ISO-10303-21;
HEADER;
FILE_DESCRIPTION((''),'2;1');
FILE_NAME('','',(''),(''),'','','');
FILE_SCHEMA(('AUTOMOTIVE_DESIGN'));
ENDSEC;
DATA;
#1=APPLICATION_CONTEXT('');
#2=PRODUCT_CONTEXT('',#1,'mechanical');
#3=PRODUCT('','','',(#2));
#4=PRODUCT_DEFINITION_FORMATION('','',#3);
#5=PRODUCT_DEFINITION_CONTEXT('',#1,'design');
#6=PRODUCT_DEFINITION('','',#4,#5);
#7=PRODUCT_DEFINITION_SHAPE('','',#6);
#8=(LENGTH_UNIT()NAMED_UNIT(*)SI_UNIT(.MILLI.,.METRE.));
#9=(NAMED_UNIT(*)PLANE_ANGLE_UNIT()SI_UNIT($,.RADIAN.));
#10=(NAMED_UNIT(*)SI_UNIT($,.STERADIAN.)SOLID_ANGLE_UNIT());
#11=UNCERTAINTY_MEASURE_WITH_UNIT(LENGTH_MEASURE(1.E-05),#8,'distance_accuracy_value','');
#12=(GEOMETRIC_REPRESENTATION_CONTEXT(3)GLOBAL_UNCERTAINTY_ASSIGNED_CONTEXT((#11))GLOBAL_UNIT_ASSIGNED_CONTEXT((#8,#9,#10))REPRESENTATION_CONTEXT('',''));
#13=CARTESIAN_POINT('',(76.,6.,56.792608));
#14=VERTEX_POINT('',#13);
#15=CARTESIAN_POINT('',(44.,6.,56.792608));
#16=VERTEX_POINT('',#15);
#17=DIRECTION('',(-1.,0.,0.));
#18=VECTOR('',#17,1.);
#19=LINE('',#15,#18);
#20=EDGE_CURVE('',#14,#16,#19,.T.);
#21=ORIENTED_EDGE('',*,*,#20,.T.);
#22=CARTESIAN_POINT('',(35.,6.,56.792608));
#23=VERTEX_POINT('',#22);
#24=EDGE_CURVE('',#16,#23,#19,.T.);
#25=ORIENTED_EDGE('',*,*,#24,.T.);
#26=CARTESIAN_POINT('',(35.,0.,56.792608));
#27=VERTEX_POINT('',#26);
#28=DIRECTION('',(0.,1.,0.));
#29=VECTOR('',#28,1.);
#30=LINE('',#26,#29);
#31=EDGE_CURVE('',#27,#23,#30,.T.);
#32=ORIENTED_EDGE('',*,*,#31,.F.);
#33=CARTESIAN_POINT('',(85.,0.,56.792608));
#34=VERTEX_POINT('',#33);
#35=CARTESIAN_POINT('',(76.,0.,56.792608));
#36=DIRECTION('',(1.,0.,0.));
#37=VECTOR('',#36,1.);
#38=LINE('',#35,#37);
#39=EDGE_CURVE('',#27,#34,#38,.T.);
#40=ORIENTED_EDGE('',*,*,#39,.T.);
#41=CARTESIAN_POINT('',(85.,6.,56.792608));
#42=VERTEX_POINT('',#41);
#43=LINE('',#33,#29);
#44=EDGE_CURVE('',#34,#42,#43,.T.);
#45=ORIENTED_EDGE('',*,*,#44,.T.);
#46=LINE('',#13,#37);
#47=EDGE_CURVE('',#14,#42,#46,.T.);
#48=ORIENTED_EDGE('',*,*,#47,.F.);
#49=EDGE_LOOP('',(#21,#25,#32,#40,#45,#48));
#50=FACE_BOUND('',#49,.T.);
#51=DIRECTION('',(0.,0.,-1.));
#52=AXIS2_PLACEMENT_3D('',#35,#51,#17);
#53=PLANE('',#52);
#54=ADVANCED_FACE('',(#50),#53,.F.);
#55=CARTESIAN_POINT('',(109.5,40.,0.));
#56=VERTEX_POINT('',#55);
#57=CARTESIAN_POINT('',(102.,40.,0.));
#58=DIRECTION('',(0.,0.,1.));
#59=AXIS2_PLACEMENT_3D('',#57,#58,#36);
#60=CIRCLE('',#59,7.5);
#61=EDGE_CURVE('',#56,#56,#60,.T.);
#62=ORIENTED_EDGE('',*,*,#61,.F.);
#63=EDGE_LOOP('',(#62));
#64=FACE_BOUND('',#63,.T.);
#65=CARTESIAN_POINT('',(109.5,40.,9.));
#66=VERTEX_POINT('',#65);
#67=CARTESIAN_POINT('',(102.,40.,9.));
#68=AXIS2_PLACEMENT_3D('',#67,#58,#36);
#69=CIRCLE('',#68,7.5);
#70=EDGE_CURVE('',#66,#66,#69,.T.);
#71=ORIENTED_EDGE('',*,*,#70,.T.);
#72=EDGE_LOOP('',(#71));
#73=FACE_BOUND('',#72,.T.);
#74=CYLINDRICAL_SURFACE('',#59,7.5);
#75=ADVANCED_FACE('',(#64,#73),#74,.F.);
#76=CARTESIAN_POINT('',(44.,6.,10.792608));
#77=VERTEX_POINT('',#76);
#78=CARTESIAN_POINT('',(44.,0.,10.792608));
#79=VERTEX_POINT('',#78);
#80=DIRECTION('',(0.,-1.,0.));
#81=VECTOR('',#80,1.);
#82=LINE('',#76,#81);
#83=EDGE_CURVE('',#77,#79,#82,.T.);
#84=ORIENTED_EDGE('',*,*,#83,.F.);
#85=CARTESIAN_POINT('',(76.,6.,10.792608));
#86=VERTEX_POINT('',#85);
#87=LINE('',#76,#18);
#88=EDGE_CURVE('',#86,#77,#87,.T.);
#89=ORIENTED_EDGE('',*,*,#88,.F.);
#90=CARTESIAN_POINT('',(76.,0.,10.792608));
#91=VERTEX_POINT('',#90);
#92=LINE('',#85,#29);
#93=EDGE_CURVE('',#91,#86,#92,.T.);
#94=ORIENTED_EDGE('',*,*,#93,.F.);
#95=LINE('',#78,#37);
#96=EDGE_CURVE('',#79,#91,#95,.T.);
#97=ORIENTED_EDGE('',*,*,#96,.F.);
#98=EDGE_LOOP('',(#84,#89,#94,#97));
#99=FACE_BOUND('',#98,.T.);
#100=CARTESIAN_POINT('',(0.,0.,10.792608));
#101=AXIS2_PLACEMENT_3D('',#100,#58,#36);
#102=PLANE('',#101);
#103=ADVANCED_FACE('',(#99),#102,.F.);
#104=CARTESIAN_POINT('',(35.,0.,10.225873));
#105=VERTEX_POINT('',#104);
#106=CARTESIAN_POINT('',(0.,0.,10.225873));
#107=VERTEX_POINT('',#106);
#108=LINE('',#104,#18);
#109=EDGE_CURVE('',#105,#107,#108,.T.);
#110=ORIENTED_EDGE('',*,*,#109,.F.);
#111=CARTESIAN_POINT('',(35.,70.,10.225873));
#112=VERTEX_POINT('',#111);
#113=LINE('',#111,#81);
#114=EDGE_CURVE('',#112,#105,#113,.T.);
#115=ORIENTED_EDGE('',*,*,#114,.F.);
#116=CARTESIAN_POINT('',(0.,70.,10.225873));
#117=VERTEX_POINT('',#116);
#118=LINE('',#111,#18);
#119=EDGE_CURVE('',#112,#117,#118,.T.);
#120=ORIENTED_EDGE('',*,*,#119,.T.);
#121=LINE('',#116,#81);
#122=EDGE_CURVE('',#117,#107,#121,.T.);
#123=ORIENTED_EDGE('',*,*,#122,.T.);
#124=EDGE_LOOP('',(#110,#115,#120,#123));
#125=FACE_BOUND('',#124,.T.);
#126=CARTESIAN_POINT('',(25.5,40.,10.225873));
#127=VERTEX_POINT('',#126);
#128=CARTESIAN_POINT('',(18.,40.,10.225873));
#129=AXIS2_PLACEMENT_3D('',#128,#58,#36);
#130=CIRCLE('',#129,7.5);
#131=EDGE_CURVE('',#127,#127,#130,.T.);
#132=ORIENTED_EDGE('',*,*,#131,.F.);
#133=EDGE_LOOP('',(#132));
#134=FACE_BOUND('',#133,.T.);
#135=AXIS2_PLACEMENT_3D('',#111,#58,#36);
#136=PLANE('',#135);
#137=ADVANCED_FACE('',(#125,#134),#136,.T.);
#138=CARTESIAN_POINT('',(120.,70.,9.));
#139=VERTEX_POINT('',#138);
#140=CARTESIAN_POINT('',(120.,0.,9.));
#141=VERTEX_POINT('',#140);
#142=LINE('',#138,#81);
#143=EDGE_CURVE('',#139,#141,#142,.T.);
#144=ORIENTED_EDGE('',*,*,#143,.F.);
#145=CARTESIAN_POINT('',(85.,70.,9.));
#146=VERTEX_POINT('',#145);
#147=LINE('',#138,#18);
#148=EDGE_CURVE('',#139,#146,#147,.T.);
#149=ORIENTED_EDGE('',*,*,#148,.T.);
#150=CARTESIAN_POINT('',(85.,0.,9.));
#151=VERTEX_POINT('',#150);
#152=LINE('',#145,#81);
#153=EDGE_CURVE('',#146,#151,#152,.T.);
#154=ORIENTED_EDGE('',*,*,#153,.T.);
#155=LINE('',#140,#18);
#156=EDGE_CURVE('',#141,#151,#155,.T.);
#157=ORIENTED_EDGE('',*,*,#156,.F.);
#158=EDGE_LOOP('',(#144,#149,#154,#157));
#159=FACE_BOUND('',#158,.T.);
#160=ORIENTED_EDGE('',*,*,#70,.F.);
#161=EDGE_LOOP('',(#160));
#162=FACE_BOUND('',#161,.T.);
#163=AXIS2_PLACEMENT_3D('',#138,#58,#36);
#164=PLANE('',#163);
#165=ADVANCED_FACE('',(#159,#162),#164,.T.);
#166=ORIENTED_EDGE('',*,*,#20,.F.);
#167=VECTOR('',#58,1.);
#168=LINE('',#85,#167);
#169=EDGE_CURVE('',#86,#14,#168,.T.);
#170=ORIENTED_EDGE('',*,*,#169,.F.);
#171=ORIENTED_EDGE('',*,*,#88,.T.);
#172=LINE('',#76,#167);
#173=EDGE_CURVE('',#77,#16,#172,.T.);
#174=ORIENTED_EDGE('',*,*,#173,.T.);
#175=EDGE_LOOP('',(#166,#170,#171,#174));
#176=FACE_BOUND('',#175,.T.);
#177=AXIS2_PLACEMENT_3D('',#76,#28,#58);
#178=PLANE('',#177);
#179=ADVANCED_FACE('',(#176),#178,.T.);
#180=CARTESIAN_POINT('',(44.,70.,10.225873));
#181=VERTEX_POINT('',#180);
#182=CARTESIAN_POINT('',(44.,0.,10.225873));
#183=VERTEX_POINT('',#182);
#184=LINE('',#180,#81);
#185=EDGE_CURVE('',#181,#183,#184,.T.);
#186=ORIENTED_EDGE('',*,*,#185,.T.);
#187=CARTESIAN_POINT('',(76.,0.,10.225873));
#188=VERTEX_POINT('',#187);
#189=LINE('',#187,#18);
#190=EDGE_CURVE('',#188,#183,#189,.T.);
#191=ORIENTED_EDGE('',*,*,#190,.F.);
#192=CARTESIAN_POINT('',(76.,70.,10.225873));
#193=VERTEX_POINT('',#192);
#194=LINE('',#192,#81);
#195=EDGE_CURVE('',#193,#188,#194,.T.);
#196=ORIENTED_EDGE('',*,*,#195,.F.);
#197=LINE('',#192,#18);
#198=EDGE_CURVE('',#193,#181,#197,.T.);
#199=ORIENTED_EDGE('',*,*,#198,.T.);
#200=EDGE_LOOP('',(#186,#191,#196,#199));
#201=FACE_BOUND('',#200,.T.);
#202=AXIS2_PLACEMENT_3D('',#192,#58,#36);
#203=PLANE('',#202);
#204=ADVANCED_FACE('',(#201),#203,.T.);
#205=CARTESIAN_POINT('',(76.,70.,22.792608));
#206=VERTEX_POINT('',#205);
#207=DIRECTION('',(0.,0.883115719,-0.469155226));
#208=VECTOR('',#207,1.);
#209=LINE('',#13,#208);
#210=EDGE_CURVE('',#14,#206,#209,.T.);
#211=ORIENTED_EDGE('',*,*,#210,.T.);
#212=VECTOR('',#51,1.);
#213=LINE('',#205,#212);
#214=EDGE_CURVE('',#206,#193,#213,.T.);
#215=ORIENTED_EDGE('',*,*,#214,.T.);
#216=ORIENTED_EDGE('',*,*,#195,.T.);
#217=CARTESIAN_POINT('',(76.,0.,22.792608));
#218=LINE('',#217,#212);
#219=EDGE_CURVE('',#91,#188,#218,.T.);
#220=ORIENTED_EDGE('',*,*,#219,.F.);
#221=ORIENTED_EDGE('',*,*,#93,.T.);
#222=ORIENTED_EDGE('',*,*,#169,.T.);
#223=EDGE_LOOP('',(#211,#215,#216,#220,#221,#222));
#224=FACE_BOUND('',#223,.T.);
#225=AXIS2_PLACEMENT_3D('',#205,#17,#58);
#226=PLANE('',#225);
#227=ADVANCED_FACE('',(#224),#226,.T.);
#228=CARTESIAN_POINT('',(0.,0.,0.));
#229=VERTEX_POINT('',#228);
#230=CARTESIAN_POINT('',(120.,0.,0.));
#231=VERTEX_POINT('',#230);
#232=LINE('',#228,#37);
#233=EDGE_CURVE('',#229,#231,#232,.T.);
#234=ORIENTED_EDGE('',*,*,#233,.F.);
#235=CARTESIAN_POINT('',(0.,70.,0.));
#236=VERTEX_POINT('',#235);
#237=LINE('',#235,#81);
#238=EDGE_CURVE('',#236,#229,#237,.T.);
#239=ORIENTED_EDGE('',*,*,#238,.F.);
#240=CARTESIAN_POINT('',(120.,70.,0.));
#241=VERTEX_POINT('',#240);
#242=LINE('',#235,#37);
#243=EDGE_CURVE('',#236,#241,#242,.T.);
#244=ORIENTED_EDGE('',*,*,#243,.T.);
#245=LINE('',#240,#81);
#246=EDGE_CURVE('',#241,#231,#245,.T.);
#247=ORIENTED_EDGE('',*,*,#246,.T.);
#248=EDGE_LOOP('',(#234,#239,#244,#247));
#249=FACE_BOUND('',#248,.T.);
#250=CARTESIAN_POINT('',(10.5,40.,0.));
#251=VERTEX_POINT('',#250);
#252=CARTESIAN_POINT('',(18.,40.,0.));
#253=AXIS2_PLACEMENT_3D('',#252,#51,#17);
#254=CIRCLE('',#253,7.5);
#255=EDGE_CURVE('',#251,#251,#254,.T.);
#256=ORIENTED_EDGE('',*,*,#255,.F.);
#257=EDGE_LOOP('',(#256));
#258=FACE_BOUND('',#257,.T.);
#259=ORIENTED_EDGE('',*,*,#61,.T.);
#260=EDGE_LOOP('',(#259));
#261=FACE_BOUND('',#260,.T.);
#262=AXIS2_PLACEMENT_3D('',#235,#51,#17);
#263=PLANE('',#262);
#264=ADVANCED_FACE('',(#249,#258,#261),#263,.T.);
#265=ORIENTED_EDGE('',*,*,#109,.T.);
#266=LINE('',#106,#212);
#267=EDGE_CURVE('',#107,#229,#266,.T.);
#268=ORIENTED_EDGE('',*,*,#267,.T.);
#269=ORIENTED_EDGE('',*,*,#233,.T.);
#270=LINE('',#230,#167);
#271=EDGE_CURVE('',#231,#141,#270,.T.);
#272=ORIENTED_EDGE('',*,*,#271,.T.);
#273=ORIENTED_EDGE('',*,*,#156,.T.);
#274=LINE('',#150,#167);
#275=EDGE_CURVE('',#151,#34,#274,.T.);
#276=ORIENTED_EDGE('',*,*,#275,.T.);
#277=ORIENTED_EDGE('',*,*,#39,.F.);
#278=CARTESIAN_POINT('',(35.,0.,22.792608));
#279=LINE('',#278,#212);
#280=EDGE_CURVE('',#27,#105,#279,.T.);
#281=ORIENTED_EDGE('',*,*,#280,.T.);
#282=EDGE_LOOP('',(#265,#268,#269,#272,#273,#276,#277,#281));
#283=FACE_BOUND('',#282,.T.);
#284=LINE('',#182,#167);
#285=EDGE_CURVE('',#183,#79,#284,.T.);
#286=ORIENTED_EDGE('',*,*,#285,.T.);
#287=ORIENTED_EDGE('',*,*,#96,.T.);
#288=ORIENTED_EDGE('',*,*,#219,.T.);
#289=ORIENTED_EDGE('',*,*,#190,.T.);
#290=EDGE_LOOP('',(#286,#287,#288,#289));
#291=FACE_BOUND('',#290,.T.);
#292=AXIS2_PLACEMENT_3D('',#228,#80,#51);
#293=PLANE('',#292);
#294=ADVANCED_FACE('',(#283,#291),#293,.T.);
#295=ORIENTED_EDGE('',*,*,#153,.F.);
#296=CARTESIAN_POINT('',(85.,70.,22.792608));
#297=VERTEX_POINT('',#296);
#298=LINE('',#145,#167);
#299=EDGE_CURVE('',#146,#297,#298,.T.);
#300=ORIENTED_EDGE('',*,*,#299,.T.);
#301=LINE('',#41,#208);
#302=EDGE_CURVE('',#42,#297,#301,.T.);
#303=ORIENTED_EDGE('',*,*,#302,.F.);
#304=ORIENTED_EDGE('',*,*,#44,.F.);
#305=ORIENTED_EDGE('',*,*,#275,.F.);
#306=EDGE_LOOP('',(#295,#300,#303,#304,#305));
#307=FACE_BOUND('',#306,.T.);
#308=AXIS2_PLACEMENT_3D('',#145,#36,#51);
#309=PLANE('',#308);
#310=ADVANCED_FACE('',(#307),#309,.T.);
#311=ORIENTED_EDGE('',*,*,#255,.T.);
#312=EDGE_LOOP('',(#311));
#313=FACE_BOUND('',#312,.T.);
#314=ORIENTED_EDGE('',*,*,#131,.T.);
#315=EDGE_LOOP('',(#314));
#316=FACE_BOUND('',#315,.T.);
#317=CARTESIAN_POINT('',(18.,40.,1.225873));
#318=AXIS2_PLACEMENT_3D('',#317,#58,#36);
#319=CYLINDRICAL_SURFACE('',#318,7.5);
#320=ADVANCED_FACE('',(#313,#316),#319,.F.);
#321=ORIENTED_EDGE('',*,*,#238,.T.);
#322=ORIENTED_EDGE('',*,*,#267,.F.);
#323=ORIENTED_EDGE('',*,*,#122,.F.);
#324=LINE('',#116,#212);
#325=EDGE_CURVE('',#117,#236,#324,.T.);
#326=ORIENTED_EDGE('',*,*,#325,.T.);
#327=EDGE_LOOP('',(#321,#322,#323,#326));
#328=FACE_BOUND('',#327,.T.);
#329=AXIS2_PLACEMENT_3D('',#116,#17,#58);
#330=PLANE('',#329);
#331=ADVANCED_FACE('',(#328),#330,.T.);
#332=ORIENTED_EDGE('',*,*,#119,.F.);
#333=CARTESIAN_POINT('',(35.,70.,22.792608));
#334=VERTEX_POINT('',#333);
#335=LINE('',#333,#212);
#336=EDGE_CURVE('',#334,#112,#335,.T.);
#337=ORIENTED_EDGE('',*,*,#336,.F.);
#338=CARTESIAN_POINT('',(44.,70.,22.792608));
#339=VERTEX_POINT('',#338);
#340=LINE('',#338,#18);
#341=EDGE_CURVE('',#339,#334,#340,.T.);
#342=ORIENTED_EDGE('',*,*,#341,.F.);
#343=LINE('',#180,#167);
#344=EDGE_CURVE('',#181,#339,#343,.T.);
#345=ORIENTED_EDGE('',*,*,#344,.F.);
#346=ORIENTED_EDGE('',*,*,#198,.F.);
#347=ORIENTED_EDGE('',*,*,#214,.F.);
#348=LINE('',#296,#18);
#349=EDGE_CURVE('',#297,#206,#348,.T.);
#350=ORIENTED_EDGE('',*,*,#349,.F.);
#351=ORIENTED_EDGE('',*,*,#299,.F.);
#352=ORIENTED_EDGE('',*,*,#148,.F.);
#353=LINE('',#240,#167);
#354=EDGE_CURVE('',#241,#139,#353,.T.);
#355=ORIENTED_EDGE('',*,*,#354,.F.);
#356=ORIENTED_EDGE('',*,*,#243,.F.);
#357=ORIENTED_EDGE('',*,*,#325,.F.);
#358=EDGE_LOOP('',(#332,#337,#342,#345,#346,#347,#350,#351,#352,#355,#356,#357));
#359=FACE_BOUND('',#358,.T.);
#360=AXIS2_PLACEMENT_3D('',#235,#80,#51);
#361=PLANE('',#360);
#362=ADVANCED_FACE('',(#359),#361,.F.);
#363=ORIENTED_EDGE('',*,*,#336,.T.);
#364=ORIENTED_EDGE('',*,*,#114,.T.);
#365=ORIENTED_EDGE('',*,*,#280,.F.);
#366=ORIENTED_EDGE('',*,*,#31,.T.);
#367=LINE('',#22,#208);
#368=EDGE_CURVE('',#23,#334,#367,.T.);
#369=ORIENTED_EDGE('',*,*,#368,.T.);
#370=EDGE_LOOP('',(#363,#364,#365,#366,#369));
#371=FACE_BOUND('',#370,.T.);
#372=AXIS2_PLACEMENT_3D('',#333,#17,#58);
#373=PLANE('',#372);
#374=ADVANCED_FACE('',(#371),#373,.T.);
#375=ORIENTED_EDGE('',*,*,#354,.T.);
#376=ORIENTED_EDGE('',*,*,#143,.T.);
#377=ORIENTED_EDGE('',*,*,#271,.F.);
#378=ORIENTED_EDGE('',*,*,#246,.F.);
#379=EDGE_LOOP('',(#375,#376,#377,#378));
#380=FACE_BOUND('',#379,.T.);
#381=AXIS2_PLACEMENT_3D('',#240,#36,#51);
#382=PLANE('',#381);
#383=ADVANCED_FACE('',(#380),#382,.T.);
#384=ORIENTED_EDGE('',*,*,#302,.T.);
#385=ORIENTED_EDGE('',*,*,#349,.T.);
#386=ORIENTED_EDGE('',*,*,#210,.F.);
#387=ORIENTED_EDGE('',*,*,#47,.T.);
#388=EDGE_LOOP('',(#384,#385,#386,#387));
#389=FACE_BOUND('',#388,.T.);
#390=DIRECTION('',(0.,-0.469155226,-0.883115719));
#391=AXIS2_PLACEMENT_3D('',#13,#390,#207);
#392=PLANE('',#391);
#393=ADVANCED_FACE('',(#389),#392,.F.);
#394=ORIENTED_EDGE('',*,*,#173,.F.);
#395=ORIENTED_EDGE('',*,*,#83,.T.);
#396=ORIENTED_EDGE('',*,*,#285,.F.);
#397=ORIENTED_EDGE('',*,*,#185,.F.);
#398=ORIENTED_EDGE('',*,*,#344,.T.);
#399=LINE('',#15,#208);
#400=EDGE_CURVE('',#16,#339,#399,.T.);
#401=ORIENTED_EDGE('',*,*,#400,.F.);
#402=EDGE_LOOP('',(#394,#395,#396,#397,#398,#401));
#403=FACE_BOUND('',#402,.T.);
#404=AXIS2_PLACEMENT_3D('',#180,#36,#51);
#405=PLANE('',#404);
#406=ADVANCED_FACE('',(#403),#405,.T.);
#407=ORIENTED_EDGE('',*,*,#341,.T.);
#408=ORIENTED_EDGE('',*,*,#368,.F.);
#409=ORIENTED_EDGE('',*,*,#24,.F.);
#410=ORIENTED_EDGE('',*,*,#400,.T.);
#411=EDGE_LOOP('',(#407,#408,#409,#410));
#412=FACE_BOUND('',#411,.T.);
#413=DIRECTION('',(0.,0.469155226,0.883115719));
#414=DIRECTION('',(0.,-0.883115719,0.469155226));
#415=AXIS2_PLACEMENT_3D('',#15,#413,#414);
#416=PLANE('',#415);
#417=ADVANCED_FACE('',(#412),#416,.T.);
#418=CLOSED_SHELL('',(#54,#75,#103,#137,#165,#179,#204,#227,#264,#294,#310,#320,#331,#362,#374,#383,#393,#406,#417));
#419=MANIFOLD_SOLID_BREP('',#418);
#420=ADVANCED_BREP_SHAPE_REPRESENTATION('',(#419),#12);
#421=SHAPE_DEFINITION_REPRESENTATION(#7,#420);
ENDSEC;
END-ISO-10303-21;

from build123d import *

# Parameters (mm, degrees)
BOSS_EXTRUDE1_DEPTH = 70
SKETCH2_R           = 7.5
CUT_EXTRUDE1_DEPTH  = 9
SKETCH3_R           = 7.5
CUT_EXTRUDE2_DEPTH  = 9
BOSS_EXTRUDE7_DEPTH = 9
BOSS_EXTRUDE8_DEPTH = 9
SKETCH8_W           = 32
SKETCH8_H           = 6
BOSS_EXTRUDE9_DEPTH = 46
SKETCH10_R          = 7.5
CUT_EXTRUDE3_DEPTH  = 46


with BuildPart() as part:
    # Sketch1 → Boss-Extrude1 (new body)
    with BuildSketch(Plane(origin=(0, 0, 0), x_dir=(1, 0, 0), z_dir=(0, 1, 0))):
        Polygon((0, 0), (120, 0), (120, -9), (85, -9), (85, -22.792607803), (76, -22.792607803), (76, -10.22587269), (44, -10.22587269), (44, -22.792607803), (35, -22.792607803), (35, -10.22587269), (0, -10.22587269), align=None)
    extrude(amount=BOSS_EXTRUDE1_DEPTH)

    # Sketch2 → Cut-Extrude1 (cut)
    with BuildSketch(Plane.XY.offset(9)):
        with Locations((102, 40)):
            Circle(SKETCH2_R)
    extrude(amount=-CUT_EXTRUDE1_DEPTH, mode=Mode.SUBTRACT)

    # Sketch3 → Cut-Extrude2 (cut)
    with BuildSketch(Plane.XY.offset(10.22587269)):
        with Locations((18, 40)):
            Circle(SKETCH3_R)
    extrude(amount=-CUT_EXTRUDE2_DEPTH, mode=Mode.SUBTRACT)

    # Sketch4 → Boss-Extrude7 (add)
    with BuildSketch(Plane(origin=(85, 0, 0), x_dir=(0, 0, -1), z_dir=(1, 0, 0))):
        Polygon((-56.792607803, 0), (-22.792607803, 0), (-22.792607803, 70), (-56.792607803, 6), align=None)
    extrude(amount=-BOSS_EXTRUDE7_DEPTH)

    # Sketch7 → Boss-Extrude8 (add)
    with BuildSketch(Plane.ZY.offset(-35)):
        Polygon((22.792607803, 0), (56.792607803, 0), (56.792607803, 6), (22.792607803, 70), align=None)
    extrude(amount=-BOSS_EXTRUDE8_DEPTH)

    # Sketch8 → Boss-Extrude9 (add)
    with BuildSketch(Plane.XY.offset(56.792607803)):
        with Locations((60, 3)):
            Rectangle(SKETCH8_W, SKETCH8_H)
    extrude(amount=-BOSS_EXTRUDE9_DEPTH)

    # Sketch10 → Cut-Extrude3 (cut)
    with BuildSketch(Plane.XY.offset(1.22587269)):
        with Locations((18, 40)):
            Circle(SKETCH10_R)
    extrude(amount=-CUT_EXTRUDE3_DEPTH, mode=Mode.SUBTRACT)


solid = part.part
